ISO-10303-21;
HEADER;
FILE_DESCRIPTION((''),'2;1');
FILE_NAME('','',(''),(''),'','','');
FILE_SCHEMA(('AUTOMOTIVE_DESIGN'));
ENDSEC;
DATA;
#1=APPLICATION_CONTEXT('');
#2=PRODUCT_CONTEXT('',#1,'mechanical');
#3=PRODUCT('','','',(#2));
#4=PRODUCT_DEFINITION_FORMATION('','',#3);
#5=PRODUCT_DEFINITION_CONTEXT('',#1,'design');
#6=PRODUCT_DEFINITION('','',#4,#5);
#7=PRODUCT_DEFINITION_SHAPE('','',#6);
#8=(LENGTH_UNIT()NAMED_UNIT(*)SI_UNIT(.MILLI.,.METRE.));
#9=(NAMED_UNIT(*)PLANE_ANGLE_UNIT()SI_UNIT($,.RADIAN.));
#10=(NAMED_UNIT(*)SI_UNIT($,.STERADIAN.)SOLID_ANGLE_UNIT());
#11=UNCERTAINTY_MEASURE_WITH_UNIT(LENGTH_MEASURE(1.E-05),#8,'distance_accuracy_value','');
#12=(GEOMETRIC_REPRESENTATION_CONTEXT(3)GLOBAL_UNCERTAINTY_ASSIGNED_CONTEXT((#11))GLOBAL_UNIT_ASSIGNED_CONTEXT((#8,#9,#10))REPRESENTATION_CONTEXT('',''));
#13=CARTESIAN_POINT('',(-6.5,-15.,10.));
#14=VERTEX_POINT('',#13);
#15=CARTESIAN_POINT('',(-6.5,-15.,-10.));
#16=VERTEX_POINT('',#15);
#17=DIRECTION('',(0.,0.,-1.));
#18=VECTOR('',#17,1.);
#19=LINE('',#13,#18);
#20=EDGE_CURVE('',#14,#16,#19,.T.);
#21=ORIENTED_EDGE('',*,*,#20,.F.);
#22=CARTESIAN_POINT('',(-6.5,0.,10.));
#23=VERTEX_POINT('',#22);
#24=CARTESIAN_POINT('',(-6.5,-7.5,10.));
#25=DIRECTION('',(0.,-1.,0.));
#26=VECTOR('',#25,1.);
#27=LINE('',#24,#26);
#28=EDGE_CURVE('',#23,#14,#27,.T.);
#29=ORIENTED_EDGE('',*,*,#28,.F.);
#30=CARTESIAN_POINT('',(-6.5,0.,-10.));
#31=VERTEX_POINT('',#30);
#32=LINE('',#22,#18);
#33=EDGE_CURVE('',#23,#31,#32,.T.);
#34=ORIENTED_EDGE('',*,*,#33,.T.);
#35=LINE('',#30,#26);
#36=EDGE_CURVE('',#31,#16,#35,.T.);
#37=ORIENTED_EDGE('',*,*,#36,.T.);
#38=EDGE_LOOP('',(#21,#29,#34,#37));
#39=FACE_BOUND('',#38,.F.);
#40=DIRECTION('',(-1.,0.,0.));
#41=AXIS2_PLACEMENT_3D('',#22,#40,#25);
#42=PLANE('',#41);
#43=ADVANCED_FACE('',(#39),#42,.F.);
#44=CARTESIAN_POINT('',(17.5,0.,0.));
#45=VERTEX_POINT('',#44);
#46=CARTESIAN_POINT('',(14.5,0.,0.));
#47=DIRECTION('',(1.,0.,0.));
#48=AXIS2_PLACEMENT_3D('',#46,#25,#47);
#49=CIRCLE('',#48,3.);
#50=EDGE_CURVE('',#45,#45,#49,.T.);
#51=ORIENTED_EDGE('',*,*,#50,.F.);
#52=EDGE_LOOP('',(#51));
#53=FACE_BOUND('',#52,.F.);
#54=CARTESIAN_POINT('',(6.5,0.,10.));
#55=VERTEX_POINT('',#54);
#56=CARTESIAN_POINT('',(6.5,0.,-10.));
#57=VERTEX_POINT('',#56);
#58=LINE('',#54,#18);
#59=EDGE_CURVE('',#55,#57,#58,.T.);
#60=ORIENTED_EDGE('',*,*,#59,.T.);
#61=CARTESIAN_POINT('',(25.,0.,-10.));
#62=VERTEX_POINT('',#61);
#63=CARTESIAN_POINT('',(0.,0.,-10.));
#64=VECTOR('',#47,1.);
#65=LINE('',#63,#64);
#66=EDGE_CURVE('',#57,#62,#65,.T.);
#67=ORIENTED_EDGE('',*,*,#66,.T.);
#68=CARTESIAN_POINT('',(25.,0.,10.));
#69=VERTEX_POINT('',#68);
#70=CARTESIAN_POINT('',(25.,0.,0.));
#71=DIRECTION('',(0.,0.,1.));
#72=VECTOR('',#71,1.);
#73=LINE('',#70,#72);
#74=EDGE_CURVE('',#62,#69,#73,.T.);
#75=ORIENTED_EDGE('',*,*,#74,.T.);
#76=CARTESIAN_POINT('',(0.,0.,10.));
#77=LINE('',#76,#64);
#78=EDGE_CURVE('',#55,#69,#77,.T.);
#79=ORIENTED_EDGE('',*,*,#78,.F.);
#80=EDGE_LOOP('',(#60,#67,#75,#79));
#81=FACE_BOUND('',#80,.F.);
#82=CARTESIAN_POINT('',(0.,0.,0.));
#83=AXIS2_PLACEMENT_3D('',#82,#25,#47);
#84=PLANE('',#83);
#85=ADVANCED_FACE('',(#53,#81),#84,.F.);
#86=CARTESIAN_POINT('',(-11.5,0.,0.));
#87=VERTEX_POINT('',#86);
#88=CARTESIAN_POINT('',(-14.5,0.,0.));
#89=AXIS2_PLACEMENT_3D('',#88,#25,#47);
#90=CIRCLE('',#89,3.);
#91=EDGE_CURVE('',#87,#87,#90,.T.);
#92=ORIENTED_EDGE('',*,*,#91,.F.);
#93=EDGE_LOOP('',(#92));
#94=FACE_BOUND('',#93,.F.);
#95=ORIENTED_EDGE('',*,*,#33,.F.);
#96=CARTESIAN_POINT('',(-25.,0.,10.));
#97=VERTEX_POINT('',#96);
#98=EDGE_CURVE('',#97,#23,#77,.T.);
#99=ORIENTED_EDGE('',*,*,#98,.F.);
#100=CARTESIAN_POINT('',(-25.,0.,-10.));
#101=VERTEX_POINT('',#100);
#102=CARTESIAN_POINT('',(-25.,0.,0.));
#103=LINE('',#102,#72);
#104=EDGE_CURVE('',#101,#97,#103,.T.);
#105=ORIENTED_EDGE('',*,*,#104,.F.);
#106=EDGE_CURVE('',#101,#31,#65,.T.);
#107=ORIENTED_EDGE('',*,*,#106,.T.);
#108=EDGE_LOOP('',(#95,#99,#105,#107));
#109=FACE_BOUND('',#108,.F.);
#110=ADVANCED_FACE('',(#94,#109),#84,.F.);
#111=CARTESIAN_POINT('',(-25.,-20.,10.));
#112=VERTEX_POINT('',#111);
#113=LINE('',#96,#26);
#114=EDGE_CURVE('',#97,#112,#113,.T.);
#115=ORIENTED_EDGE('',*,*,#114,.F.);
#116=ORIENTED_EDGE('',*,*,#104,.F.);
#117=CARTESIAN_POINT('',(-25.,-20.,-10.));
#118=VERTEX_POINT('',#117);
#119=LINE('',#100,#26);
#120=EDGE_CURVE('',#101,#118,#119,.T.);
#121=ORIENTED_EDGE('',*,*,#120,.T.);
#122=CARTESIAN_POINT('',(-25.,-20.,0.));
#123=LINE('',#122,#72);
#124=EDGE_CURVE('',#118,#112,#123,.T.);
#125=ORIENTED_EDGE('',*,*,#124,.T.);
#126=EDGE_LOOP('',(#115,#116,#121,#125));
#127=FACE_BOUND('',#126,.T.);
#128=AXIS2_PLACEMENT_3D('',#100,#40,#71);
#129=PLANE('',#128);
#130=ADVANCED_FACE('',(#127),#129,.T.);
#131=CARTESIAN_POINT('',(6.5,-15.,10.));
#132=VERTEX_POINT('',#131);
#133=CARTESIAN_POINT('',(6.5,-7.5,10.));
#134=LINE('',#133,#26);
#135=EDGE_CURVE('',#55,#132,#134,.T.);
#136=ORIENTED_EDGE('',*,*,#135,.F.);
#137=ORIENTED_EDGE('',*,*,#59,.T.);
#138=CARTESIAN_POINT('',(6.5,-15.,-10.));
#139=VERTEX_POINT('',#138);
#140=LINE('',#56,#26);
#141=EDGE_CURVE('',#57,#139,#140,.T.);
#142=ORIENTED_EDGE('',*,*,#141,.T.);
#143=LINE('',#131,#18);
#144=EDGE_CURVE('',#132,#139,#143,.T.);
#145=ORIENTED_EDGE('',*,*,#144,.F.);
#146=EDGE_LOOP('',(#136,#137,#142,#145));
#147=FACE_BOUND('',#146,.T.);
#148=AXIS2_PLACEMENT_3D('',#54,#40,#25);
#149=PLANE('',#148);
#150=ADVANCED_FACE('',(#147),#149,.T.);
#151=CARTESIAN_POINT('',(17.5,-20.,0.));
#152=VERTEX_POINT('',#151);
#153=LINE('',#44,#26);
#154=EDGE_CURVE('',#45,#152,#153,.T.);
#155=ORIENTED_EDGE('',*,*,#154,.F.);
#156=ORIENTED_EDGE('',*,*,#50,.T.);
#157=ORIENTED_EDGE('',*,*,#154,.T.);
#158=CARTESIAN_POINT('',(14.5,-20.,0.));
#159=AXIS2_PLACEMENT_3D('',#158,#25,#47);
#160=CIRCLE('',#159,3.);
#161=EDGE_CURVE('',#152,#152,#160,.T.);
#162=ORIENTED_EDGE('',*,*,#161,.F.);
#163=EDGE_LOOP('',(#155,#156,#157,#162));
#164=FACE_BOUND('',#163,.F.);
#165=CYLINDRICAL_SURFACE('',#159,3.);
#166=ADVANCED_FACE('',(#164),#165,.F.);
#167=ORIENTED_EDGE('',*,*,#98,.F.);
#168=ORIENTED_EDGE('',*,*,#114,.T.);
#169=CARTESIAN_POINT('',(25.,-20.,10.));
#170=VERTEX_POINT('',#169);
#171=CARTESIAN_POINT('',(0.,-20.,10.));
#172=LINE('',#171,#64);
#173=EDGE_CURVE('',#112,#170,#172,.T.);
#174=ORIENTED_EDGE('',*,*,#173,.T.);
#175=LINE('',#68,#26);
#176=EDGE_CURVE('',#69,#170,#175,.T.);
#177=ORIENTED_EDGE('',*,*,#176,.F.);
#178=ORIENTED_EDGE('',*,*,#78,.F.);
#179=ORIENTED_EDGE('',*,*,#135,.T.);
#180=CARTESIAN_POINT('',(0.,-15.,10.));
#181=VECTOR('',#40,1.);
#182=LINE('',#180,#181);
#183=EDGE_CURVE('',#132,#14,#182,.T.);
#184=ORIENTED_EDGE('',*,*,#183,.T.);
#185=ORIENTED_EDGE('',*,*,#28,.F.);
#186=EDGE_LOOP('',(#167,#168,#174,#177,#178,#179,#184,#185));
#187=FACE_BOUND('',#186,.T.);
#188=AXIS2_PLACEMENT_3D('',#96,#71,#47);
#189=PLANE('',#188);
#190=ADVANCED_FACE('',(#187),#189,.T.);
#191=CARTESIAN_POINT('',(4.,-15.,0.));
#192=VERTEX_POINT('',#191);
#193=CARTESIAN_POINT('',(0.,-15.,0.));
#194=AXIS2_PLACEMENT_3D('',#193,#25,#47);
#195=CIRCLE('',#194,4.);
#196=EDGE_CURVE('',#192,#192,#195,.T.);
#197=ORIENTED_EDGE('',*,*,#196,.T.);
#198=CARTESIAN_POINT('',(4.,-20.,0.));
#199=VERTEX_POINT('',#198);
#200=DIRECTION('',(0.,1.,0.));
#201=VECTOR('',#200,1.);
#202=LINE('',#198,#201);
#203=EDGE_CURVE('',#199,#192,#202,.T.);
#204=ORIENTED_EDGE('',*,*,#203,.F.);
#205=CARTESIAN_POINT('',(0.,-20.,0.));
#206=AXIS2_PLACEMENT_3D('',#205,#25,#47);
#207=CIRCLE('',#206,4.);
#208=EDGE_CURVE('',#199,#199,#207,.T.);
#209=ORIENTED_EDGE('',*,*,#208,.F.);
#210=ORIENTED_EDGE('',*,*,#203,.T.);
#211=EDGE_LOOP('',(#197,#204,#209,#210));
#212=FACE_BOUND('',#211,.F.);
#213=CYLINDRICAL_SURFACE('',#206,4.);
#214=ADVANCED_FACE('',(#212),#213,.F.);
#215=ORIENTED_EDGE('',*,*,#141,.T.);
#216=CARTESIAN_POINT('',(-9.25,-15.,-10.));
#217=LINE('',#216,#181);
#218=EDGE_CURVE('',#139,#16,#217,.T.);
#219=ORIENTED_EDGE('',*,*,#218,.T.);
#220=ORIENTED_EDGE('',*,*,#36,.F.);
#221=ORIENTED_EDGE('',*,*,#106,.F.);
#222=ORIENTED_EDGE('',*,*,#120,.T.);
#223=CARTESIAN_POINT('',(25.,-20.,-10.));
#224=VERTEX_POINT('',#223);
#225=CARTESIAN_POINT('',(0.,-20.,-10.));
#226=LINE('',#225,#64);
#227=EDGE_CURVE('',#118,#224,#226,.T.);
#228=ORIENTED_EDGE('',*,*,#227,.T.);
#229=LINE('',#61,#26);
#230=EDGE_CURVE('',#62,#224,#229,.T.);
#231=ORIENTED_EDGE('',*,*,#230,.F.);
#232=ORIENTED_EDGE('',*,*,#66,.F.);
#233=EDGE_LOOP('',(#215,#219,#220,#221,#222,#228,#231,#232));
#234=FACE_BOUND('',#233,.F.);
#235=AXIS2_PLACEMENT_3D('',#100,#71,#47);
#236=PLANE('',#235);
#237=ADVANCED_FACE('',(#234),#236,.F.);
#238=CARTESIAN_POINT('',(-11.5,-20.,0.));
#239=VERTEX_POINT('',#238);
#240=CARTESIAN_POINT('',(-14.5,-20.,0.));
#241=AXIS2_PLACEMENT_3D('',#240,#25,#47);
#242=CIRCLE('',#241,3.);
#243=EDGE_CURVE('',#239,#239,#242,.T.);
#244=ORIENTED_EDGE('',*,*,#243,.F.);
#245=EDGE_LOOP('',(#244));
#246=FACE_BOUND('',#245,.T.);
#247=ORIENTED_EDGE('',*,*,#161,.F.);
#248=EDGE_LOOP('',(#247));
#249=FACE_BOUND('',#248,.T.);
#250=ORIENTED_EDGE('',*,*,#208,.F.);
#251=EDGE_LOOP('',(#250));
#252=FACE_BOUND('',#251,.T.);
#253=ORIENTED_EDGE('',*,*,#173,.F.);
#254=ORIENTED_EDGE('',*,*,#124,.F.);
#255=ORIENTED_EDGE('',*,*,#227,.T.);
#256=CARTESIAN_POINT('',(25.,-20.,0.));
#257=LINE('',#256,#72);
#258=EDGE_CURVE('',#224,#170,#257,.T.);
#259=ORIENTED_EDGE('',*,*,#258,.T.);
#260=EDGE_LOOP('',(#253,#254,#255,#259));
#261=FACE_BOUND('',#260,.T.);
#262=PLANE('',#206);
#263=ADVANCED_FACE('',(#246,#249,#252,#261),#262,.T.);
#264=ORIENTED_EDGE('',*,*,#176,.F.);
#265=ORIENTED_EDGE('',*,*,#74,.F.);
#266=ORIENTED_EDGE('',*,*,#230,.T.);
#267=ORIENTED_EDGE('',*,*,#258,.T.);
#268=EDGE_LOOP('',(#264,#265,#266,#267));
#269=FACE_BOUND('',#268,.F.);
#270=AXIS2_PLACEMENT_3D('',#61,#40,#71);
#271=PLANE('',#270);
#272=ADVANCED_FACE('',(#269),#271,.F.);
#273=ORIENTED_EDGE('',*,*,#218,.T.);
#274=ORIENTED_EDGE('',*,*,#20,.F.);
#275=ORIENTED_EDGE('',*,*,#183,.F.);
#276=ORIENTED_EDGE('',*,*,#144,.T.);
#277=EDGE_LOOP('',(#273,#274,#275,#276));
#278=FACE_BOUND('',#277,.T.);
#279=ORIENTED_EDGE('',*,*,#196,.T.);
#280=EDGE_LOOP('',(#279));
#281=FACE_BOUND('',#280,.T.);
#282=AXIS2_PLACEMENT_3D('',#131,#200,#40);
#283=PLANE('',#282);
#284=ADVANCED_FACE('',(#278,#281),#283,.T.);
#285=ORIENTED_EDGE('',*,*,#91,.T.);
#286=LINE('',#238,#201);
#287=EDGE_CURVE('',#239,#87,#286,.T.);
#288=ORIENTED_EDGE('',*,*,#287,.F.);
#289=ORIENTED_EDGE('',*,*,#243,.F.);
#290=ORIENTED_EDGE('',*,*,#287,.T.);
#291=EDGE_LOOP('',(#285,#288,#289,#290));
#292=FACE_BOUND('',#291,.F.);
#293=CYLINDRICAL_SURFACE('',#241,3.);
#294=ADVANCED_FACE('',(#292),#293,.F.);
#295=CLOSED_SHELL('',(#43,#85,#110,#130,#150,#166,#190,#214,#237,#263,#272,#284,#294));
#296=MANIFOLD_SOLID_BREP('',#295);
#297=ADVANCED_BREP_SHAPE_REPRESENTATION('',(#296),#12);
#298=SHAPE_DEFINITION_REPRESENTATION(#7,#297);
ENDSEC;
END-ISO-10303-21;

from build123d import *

# Parameters (mm, degrees)
SKETCH_W        = 50
SKETCH_H        = 20
PAD_DEPTH       = 20
SKETCH001_W     = 13
SKETCH001_H     = 15
POCKET_DEPTH    = 20.001
SKETCH002_R     = 4
SKETCH002_R_2   = 3
POCKET001_DEPTH = 5
POCKET002_DEPTH = 20.001


with BuildPart() as part:
    # Sketch → Pad (new body)
    with BuildSketch(Plane.XZ):
        Rectangle(SKETCH_W, SKETCH_H)
    extrude(amount=PAD_DEPTH)

    # Sketch001 (on Face1 of Pad) → Pocket (cut, through all)
    with BuildSketch(Plane(origin=(0, 0, 10), x_dir=(-1, 0, 0), z_dir=(0, 0, 1))):
        with Locations((0, 7.5)):
            Rectangle(SKETCH001_W, SKETCH001_H)
    extrude(amount=-POCKET_DEPTH, mode=Mode.SUBTRACT)

    # Sketch002 (on Face8 of Pocket) → Pocket001 (cut)
    with BuildSketch(Plane.XZ.offset(20)):
        Circle(SKETCH002_R)
        with Locations((-14.5, 0)):
            Circle(SKETCH002_R_2)
        with Locations((14.5, 0)):
            Circle(SKETCH002_R_2)
    extrude(amount=-POCKET001_DEPTH, mode=Mode.SUBTRACT)

    # Sketch002 (on Face8 of Pocket) → Pocket002 (cut, through all)
    with BuildSketch(Plane.XZ.offset(20)):
        Circle(SKETCH002_R)
        with Locations((-14.5, 0)):
            Circle(SKETCH002_R_2)
        with Locations((14.5, 0)):
            Circle(SKETCH002_R_2)
    extrude(amount=-POCKET002_DEPTH, mode=Mode.SUBTRACT)


solid = part.part
